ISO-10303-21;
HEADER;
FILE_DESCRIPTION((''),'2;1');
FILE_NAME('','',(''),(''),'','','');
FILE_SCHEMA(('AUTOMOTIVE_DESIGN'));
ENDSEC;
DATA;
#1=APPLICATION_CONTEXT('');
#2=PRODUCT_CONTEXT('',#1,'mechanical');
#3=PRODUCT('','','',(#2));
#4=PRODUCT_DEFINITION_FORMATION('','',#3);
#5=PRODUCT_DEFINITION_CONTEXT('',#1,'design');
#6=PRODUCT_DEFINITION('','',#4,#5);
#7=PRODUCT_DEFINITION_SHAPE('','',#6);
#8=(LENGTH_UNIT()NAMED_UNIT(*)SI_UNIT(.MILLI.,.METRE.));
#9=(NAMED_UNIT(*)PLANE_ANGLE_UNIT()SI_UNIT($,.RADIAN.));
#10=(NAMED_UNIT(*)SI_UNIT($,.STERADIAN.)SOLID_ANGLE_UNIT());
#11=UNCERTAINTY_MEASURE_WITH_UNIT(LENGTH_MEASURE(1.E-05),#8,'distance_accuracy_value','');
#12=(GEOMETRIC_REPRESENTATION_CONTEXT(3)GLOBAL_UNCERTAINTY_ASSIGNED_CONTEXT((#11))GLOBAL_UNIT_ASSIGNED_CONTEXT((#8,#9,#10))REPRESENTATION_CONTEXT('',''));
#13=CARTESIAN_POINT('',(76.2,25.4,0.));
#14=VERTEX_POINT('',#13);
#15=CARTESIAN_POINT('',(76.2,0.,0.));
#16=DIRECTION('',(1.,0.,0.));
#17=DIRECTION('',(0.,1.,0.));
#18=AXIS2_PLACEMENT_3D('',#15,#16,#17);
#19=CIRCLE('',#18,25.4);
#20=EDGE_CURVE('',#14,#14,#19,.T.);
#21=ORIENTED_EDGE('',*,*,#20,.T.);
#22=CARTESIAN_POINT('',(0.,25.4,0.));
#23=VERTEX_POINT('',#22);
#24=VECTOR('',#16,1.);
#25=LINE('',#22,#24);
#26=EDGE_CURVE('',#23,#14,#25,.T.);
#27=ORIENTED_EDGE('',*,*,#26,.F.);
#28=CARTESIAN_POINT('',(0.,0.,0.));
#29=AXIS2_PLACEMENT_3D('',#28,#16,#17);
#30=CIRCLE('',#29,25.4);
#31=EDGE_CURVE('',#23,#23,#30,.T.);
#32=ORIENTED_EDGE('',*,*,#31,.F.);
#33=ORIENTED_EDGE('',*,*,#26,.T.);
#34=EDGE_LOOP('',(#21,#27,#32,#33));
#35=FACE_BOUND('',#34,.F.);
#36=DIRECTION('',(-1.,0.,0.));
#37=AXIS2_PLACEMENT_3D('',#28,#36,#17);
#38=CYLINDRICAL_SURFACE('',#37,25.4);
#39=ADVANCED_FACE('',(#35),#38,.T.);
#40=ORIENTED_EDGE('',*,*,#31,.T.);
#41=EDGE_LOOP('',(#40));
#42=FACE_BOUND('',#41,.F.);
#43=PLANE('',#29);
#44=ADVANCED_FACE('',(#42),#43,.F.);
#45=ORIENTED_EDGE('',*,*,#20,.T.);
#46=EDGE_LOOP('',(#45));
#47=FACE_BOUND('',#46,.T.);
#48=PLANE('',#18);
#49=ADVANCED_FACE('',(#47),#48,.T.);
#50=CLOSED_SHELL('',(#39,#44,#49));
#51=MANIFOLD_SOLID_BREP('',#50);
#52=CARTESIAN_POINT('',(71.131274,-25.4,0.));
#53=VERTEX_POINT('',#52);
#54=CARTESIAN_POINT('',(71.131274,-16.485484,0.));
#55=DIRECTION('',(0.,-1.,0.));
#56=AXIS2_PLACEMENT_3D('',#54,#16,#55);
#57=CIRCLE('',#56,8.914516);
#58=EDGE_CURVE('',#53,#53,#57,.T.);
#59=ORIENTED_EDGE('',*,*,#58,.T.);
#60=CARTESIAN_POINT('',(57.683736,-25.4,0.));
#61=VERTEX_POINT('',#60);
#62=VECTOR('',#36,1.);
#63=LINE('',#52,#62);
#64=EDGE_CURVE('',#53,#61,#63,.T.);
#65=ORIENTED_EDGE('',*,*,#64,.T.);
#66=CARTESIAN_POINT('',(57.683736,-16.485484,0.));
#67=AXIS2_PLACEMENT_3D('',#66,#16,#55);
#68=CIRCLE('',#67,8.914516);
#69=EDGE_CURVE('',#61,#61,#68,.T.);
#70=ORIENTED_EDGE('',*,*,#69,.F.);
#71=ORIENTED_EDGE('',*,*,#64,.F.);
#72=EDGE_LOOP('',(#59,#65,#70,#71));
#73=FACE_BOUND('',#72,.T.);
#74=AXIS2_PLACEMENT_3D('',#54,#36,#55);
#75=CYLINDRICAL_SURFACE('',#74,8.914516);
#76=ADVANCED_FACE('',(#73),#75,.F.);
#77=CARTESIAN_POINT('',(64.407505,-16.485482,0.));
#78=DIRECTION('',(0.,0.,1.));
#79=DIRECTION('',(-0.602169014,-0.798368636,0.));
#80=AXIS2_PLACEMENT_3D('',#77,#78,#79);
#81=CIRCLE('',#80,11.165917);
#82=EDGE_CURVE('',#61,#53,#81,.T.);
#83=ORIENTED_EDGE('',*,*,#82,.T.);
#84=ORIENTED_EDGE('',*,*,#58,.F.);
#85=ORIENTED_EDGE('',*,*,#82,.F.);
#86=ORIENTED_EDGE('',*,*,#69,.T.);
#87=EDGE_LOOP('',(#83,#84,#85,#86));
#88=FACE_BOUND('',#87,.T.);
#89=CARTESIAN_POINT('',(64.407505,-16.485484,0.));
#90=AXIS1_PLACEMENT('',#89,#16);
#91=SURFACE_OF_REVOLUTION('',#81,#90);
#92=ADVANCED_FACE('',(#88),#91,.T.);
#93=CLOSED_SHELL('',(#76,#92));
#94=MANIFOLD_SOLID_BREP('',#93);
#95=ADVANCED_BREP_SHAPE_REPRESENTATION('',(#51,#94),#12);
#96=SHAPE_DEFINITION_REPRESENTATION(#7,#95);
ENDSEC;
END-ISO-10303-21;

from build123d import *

# Parameters (mm, degrees)
F0_R     = 25.4
F1_DEPTH = 76.2


with BuildPart() as f1:
    # F0 (on Right) → F1 (new body)
    with BuildSketch(Plane.YZ):
        Circle(F0_R)
    extrude(amount=F1_DEPTH)


with BuildPart() as f3:
    # F2 (on Top) → F3 (revolve)
    with BuildSketch(Plane.XY):
        with BuildLine():
            ThreePointArc((57.683736, -25.4), (64.407505, -27.651399), (71.131274, -25.4))
            Line((71.131274, -25.4), (57.683736, -25.4))
        make_face()
    revolve(axis=Axis((64.407505, -16.485484, 0), (1, 0, 0)))


solid = Compound([f1.part, f3.part])
